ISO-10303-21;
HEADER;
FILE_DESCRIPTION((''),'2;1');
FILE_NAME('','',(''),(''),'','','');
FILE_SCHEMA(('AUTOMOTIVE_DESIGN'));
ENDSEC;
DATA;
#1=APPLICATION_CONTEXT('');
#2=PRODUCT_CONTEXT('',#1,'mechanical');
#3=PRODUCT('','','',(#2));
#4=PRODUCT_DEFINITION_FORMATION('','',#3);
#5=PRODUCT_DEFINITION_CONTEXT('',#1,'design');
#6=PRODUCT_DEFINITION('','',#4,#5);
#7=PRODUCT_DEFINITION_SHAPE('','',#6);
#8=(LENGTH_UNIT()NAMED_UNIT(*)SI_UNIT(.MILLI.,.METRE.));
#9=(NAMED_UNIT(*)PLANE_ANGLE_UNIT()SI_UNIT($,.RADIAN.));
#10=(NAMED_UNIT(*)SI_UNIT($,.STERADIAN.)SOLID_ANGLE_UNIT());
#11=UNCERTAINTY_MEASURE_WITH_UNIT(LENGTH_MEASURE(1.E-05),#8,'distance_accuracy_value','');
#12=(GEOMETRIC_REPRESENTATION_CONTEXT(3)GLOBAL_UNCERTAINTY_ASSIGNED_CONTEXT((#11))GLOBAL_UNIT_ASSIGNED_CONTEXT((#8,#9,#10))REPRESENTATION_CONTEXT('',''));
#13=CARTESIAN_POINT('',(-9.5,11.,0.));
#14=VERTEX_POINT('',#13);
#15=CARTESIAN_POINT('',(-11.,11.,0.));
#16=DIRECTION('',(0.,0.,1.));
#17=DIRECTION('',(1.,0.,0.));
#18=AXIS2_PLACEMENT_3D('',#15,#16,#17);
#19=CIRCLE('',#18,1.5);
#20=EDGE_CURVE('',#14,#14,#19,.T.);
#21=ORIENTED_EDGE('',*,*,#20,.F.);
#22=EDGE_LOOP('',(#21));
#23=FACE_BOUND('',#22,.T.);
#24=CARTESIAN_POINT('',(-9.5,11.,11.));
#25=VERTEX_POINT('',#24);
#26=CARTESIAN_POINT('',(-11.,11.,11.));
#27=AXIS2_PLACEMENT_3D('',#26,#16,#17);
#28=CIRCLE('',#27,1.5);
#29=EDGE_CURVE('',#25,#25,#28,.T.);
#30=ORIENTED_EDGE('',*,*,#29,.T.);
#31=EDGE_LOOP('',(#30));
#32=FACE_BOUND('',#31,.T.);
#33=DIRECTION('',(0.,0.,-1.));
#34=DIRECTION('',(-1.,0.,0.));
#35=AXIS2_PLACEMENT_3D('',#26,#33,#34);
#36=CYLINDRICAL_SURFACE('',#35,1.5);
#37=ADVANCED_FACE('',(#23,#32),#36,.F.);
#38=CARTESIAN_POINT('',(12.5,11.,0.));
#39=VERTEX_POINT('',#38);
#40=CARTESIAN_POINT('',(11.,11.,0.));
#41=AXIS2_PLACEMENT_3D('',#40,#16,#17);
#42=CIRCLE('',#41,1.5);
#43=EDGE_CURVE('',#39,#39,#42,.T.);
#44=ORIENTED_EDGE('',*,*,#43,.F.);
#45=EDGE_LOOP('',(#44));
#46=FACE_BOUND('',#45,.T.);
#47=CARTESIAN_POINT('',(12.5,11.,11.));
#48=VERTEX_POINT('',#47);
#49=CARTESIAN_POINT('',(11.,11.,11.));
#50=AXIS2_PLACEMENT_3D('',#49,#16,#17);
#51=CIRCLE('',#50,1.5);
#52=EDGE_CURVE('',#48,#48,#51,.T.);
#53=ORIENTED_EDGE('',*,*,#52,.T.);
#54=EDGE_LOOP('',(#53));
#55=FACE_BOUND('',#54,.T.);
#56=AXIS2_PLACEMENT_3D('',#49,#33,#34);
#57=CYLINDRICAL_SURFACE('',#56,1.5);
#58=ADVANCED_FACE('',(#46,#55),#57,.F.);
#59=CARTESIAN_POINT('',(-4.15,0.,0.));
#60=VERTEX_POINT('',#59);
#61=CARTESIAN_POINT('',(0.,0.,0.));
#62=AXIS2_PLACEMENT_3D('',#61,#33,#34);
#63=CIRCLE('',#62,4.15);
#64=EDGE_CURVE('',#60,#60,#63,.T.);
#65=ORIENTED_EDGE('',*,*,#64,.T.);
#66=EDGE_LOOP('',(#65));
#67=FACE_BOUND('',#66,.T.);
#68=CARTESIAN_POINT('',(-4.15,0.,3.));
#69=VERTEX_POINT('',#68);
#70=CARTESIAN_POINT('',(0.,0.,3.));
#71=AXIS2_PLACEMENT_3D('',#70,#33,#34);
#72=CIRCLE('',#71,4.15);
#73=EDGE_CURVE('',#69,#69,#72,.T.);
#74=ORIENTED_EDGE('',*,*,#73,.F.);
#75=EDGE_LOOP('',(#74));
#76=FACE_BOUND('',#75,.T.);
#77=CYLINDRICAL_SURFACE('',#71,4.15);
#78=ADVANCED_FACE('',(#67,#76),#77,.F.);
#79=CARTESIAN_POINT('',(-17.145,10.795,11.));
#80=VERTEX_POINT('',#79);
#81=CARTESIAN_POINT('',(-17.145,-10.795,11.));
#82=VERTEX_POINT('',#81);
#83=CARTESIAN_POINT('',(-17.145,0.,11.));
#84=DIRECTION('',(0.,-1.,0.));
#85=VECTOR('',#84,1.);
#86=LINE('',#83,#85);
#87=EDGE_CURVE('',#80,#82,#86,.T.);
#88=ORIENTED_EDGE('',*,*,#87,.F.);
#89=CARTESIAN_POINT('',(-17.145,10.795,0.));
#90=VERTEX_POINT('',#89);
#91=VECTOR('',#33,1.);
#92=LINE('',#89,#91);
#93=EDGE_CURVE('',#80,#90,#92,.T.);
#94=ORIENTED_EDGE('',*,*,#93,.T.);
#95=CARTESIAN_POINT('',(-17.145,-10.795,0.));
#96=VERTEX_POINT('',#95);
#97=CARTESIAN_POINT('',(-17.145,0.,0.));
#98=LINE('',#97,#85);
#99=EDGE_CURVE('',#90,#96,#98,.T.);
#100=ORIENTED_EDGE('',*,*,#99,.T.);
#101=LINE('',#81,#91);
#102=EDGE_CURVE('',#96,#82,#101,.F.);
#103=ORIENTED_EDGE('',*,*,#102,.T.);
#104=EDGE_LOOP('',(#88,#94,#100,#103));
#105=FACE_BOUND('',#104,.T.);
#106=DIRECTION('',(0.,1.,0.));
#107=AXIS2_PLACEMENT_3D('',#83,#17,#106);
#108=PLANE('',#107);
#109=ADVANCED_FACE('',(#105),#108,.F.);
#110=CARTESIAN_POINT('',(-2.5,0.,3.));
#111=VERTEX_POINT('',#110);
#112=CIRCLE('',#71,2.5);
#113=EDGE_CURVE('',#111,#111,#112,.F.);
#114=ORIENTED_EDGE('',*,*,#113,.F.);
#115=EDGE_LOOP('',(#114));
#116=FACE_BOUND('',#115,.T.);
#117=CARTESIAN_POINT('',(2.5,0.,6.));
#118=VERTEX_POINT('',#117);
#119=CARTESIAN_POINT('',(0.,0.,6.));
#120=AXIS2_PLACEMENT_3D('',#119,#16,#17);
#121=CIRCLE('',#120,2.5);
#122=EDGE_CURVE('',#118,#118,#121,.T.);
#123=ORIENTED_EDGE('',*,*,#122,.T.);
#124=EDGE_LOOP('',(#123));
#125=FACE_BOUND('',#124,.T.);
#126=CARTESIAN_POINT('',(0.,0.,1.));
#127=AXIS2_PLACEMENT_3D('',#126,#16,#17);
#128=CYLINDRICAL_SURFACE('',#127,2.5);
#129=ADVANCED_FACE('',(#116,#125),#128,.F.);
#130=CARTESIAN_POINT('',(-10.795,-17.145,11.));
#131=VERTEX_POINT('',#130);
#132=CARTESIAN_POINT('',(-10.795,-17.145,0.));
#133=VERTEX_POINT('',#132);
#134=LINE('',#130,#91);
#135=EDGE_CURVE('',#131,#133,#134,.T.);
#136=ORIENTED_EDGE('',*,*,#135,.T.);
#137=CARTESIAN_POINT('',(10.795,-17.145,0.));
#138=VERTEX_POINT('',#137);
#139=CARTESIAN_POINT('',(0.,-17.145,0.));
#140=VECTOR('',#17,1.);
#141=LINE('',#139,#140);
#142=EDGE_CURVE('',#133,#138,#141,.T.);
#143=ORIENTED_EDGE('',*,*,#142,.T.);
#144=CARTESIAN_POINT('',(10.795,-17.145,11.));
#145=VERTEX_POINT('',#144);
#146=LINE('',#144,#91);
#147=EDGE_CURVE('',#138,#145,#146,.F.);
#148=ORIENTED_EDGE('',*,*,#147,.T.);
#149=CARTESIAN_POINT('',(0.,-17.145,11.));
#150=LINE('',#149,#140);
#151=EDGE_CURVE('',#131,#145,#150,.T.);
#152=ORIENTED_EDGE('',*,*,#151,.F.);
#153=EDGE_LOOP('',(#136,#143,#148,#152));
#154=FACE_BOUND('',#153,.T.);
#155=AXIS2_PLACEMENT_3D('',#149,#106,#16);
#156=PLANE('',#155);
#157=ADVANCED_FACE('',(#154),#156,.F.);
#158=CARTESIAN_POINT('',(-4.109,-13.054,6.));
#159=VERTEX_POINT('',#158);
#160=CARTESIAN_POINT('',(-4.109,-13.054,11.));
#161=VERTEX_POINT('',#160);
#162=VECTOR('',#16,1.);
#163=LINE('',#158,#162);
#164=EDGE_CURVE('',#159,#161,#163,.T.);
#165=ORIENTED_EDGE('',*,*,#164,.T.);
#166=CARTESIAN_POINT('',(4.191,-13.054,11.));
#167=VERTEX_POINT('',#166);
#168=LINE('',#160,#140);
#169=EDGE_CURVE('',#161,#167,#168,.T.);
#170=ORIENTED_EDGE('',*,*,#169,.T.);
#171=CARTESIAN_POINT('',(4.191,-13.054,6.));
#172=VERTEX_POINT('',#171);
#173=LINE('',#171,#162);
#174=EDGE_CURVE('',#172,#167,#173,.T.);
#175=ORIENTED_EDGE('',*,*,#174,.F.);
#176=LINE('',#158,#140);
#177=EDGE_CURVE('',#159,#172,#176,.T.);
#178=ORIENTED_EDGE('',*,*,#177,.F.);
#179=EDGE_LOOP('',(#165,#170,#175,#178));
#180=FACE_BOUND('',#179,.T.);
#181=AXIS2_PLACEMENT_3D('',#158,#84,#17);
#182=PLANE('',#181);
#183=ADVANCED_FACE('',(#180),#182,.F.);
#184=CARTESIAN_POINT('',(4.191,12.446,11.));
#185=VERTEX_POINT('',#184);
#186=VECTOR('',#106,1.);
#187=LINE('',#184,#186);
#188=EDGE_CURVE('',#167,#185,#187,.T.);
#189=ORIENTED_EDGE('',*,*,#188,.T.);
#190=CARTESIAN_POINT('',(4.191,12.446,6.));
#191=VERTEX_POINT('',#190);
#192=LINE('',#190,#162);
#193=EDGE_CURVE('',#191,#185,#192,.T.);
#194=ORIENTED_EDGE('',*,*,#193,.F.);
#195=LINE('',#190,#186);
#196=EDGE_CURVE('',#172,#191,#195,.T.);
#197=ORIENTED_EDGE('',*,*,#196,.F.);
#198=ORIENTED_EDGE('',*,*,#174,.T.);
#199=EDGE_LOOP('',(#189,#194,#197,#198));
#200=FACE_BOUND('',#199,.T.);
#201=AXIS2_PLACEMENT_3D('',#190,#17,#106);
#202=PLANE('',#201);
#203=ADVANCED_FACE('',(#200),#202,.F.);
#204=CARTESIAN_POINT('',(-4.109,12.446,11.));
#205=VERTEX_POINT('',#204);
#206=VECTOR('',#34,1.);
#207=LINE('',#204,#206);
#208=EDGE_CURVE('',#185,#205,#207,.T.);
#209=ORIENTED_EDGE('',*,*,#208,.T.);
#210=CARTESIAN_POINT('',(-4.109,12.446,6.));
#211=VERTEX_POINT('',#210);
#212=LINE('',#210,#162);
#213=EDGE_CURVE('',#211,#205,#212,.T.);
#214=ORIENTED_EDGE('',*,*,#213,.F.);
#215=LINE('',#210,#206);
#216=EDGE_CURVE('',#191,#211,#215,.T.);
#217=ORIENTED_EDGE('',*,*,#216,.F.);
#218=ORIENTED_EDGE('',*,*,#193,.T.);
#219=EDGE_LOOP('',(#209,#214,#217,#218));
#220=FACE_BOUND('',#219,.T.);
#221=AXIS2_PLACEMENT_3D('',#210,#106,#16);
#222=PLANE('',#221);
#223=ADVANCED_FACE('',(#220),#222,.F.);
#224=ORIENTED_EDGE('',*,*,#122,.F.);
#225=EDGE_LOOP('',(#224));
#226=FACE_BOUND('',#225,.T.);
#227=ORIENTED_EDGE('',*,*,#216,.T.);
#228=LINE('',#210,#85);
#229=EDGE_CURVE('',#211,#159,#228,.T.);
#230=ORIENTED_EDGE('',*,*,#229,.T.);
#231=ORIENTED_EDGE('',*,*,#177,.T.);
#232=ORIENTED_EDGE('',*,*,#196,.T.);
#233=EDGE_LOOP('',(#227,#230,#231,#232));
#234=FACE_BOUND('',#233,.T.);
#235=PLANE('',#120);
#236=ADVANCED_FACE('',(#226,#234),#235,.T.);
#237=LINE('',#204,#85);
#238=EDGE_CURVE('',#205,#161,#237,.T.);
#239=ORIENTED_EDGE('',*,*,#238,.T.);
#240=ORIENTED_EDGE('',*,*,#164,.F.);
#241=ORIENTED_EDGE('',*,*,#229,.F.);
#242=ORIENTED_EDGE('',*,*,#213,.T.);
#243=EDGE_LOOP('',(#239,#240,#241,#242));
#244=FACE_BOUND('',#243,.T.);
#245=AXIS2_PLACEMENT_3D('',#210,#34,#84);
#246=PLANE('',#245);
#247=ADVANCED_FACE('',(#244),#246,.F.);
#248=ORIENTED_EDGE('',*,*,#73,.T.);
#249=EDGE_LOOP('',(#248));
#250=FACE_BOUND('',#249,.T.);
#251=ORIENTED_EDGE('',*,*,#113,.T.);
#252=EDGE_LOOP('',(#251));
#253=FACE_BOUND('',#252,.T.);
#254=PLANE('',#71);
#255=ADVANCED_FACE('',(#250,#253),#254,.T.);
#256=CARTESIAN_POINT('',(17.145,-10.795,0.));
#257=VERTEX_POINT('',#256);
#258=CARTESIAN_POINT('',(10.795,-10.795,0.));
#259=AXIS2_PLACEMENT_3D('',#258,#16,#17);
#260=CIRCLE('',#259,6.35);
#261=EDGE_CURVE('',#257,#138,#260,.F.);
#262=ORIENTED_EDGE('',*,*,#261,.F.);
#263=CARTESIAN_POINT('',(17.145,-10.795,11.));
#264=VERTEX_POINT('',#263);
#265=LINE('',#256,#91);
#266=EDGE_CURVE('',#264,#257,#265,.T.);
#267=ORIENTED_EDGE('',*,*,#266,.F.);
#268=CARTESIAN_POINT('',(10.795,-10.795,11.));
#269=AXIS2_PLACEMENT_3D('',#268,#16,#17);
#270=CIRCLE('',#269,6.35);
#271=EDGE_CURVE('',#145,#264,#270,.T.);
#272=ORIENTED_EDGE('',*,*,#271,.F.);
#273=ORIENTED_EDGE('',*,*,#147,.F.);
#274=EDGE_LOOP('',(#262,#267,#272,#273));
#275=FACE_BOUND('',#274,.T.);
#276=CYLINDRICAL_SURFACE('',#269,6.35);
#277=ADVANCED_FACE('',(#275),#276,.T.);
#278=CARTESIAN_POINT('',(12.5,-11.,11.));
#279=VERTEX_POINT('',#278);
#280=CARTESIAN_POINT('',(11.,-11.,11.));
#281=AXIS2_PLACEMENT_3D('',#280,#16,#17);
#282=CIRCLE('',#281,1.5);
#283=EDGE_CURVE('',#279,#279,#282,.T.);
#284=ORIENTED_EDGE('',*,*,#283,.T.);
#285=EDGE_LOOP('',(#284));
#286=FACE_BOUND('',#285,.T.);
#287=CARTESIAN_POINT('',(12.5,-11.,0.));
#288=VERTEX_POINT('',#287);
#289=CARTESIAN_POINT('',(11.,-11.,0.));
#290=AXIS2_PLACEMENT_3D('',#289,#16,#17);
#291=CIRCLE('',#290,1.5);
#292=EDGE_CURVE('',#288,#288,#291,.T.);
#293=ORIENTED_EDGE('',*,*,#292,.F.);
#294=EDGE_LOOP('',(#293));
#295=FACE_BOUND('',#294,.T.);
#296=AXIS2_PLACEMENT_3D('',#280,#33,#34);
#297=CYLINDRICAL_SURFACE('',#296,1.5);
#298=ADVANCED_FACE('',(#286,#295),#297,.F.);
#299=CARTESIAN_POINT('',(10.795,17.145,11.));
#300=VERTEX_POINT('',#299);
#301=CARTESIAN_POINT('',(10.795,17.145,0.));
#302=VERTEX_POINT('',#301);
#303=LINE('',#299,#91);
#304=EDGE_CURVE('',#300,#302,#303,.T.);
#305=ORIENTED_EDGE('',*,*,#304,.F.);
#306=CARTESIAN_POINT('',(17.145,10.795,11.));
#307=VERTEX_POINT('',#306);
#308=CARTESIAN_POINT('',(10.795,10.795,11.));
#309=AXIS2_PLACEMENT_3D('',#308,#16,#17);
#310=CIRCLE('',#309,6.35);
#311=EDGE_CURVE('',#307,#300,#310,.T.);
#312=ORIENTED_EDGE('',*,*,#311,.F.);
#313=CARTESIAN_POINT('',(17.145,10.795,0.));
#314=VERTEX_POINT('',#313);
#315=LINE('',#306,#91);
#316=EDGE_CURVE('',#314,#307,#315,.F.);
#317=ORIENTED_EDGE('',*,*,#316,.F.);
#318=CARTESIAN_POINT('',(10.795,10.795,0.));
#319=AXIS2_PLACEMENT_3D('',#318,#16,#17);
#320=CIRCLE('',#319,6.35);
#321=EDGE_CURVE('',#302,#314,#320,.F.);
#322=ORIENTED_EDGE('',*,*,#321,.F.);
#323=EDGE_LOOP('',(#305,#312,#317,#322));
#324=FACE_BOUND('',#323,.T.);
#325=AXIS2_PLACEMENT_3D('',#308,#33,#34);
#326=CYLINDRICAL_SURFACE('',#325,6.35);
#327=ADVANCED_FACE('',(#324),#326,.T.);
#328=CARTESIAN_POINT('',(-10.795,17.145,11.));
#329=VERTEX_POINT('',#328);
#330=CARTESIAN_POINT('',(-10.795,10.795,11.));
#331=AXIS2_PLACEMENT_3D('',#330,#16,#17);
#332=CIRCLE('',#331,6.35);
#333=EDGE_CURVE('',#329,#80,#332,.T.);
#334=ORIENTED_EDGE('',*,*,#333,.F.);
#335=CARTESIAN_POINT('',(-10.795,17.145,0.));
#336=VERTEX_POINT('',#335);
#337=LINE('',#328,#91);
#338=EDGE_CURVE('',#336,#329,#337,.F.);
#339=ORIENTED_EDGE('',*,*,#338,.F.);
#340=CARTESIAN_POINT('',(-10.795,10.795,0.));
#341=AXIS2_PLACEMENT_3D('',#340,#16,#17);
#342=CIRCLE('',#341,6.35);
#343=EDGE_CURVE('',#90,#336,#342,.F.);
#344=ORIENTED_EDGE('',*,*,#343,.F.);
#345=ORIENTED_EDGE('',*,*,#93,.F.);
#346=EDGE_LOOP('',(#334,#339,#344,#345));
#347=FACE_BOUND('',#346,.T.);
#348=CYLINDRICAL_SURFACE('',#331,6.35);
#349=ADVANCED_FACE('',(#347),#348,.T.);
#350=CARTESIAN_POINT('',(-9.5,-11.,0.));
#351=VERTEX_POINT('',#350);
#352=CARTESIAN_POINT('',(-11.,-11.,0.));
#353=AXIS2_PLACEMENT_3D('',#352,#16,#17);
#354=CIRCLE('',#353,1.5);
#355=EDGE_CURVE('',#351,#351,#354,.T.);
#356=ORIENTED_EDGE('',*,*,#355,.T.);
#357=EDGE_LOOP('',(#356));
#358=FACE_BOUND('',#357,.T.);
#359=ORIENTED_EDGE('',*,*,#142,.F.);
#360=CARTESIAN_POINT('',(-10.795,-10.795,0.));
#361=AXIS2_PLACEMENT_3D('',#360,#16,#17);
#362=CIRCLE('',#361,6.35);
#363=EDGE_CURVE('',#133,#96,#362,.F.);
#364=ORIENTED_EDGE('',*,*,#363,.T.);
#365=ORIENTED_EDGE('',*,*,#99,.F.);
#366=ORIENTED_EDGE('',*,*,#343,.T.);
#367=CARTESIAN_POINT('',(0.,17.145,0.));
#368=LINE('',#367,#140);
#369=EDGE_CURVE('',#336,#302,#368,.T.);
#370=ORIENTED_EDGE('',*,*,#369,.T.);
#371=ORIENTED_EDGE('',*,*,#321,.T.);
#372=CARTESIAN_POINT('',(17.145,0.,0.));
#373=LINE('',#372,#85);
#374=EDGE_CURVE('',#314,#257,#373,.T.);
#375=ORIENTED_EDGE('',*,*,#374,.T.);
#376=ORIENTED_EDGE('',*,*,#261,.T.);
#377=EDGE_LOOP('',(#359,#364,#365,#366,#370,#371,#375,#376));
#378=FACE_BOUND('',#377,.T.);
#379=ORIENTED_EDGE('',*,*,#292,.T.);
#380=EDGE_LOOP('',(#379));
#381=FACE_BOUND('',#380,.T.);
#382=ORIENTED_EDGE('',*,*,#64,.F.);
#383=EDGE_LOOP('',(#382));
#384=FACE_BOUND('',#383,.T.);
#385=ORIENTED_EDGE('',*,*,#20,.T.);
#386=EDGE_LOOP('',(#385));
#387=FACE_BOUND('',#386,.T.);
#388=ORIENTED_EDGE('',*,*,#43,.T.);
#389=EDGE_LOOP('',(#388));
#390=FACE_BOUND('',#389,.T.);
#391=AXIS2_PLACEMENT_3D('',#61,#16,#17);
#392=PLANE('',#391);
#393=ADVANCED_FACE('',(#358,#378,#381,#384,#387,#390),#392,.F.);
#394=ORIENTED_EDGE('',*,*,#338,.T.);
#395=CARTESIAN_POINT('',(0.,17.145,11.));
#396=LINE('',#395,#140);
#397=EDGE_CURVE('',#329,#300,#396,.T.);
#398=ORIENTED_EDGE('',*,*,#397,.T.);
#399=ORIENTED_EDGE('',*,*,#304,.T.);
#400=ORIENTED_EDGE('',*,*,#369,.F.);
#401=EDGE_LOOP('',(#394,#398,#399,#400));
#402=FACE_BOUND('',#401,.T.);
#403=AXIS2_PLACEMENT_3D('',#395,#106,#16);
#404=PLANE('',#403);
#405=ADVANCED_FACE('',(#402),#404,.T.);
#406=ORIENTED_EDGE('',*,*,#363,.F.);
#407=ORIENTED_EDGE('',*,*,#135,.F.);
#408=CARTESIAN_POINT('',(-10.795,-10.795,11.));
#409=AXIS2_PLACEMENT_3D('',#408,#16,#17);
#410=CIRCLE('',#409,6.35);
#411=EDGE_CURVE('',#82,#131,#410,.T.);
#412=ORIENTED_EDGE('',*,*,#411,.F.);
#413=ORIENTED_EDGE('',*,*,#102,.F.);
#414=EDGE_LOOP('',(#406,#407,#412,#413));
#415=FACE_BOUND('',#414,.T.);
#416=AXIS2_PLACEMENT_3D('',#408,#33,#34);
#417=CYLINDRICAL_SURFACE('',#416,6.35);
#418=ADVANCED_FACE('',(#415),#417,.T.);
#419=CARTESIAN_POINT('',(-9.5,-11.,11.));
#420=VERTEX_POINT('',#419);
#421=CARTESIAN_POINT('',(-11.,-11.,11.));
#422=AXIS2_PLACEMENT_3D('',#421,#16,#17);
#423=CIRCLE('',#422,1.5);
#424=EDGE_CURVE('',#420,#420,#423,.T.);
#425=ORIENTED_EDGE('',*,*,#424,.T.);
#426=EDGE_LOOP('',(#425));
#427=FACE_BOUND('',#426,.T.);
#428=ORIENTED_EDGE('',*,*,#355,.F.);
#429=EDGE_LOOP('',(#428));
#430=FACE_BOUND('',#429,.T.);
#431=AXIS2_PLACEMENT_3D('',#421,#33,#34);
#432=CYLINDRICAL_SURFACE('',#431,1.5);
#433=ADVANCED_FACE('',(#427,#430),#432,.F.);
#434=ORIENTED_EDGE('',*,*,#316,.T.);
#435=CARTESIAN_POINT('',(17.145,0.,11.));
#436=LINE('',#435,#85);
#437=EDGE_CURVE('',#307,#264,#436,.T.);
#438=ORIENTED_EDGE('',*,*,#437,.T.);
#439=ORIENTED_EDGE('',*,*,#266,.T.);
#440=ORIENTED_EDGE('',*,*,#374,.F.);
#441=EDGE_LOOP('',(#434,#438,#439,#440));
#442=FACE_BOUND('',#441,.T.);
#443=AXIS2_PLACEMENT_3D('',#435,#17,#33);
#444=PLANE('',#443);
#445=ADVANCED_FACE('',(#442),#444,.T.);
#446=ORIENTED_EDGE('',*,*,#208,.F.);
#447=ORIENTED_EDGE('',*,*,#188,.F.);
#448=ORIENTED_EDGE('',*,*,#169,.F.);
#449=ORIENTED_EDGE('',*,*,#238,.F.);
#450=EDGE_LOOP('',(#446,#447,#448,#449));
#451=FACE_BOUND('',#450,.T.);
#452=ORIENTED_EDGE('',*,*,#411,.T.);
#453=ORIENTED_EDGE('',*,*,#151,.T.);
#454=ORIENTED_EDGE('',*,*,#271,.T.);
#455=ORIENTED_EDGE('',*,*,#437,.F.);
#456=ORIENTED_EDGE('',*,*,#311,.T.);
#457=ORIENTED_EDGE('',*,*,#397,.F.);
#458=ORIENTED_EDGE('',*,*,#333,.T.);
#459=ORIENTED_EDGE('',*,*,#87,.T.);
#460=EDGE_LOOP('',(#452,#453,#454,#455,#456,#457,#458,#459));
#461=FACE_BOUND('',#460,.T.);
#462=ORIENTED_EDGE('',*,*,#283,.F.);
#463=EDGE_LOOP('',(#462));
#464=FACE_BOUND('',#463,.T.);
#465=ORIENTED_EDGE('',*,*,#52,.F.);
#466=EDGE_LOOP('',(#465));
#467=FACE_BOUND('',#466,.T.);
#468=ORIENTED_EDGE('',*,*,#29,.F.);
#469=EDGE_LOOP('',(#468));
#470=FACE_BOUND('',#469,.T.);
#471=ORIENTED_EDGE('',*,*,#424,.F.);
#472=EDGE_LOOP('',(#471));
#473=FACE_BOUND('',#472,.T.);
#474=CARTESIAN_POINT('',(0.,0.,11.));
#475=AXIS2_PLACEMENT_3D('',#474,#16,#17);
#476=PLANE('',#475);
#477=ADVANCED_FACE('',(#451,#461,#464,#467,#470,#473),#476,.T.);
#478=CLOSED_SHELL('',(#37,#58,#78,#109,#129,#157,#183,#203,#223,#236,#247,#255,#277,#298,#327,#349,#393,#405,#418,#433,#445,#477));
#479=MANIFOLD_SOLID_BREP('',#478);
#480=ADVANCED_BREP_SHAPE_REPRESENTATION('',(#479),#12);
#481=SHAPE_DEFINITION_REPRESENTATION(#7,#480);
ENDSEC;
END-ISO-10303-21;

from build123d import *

# Parameters (mm, degrees)
SKETCH1_W           = 34.29
SKETCH1_H           = 34.29
SKETCH1_R           = 1.5
BOSS_EXTRUDE1_DEPTH = 11
SKETCH2_W           = 8.3
SKETCH2_H           = 25.5
CUT_EXTRUDE1_DEPTH  = 5
SKETCH3_R           = 2.5
CUT_EXTRUDE2_DEPTH  = 5
SKETCH5_R           = 4.15
CUT_EXTRUDE4_DEPTH  = 3
FILLET2_R           = 6.35


with BuildPart() as part:
    # Sketch1 → Boss-Extrude1 (new body)
    with BuildSketch(Plane.XY):
        Rectangle(SKETCH1_W, SKETCH1_H)
        with Locations((-11, 11)):
            Circle(SKETCH1_R, mode=Mode.SUBTRACT)
        with Locations((11, 11)):
            Circle(SKETCH1_R, mode=Mode.SUBTRACT)
        with Locations((-11, -11)):
            Circle(SKETCH1_R, mode=Mode.SUBTRACT)
        with Locations((11, -11)):
            Circle(SKETCH1_R, mode=Mode.SUBTRACT)
    extrude(amount=BOSS_EXTRUDE1_DEPTH)

    # Sketch2 → Cut-Extrude1 (cut)
    with BuildSketch(Plane.XY.offset(11)):
        with Locations((0.041, -0.304)):
            Rectangle(SKETCH2_W, SKETCH2_H)
    extrude(amount=-CUT_EXTRUDE1_DEPTH, mode=Mode.SUBTRACT)

    # Sketch3 → Cut-Extrude2 (cut)
    with BuildSketch(Plane.XY.offset(6)):
        Circle(SKETCH3_R)
    extrude(amount=-CUT_EXTRUDE2_DEPTH, mode=Mode.SUBTRACT)

    # Sketch5 → Cut-Extrude4 (cut)
    with BuildSketch(Plane(origin=(0, 0, 0), x_dir=(-1, 0, 0), z_dir=(0, 0, -1))):
        Circle(SKETCH5_R)
    extrude(amount=-CUT_EXTRUDE4_DEPTH, mode=Mode.SUBTRACT)

    # Fillet2
    fillet2_edges = [part.edges().sort_by_distance(p)[0] for p in [
        (17.145, -17.145, 5.5),
        (-17.145, -17.145, 5.5),
        (-17.145, 17.145, 5.5),
        (17.145, 17.145, 5.5),
    ]]
    fillet(fillet2_edges, radius=FILLET2_R)


solid = part.part
